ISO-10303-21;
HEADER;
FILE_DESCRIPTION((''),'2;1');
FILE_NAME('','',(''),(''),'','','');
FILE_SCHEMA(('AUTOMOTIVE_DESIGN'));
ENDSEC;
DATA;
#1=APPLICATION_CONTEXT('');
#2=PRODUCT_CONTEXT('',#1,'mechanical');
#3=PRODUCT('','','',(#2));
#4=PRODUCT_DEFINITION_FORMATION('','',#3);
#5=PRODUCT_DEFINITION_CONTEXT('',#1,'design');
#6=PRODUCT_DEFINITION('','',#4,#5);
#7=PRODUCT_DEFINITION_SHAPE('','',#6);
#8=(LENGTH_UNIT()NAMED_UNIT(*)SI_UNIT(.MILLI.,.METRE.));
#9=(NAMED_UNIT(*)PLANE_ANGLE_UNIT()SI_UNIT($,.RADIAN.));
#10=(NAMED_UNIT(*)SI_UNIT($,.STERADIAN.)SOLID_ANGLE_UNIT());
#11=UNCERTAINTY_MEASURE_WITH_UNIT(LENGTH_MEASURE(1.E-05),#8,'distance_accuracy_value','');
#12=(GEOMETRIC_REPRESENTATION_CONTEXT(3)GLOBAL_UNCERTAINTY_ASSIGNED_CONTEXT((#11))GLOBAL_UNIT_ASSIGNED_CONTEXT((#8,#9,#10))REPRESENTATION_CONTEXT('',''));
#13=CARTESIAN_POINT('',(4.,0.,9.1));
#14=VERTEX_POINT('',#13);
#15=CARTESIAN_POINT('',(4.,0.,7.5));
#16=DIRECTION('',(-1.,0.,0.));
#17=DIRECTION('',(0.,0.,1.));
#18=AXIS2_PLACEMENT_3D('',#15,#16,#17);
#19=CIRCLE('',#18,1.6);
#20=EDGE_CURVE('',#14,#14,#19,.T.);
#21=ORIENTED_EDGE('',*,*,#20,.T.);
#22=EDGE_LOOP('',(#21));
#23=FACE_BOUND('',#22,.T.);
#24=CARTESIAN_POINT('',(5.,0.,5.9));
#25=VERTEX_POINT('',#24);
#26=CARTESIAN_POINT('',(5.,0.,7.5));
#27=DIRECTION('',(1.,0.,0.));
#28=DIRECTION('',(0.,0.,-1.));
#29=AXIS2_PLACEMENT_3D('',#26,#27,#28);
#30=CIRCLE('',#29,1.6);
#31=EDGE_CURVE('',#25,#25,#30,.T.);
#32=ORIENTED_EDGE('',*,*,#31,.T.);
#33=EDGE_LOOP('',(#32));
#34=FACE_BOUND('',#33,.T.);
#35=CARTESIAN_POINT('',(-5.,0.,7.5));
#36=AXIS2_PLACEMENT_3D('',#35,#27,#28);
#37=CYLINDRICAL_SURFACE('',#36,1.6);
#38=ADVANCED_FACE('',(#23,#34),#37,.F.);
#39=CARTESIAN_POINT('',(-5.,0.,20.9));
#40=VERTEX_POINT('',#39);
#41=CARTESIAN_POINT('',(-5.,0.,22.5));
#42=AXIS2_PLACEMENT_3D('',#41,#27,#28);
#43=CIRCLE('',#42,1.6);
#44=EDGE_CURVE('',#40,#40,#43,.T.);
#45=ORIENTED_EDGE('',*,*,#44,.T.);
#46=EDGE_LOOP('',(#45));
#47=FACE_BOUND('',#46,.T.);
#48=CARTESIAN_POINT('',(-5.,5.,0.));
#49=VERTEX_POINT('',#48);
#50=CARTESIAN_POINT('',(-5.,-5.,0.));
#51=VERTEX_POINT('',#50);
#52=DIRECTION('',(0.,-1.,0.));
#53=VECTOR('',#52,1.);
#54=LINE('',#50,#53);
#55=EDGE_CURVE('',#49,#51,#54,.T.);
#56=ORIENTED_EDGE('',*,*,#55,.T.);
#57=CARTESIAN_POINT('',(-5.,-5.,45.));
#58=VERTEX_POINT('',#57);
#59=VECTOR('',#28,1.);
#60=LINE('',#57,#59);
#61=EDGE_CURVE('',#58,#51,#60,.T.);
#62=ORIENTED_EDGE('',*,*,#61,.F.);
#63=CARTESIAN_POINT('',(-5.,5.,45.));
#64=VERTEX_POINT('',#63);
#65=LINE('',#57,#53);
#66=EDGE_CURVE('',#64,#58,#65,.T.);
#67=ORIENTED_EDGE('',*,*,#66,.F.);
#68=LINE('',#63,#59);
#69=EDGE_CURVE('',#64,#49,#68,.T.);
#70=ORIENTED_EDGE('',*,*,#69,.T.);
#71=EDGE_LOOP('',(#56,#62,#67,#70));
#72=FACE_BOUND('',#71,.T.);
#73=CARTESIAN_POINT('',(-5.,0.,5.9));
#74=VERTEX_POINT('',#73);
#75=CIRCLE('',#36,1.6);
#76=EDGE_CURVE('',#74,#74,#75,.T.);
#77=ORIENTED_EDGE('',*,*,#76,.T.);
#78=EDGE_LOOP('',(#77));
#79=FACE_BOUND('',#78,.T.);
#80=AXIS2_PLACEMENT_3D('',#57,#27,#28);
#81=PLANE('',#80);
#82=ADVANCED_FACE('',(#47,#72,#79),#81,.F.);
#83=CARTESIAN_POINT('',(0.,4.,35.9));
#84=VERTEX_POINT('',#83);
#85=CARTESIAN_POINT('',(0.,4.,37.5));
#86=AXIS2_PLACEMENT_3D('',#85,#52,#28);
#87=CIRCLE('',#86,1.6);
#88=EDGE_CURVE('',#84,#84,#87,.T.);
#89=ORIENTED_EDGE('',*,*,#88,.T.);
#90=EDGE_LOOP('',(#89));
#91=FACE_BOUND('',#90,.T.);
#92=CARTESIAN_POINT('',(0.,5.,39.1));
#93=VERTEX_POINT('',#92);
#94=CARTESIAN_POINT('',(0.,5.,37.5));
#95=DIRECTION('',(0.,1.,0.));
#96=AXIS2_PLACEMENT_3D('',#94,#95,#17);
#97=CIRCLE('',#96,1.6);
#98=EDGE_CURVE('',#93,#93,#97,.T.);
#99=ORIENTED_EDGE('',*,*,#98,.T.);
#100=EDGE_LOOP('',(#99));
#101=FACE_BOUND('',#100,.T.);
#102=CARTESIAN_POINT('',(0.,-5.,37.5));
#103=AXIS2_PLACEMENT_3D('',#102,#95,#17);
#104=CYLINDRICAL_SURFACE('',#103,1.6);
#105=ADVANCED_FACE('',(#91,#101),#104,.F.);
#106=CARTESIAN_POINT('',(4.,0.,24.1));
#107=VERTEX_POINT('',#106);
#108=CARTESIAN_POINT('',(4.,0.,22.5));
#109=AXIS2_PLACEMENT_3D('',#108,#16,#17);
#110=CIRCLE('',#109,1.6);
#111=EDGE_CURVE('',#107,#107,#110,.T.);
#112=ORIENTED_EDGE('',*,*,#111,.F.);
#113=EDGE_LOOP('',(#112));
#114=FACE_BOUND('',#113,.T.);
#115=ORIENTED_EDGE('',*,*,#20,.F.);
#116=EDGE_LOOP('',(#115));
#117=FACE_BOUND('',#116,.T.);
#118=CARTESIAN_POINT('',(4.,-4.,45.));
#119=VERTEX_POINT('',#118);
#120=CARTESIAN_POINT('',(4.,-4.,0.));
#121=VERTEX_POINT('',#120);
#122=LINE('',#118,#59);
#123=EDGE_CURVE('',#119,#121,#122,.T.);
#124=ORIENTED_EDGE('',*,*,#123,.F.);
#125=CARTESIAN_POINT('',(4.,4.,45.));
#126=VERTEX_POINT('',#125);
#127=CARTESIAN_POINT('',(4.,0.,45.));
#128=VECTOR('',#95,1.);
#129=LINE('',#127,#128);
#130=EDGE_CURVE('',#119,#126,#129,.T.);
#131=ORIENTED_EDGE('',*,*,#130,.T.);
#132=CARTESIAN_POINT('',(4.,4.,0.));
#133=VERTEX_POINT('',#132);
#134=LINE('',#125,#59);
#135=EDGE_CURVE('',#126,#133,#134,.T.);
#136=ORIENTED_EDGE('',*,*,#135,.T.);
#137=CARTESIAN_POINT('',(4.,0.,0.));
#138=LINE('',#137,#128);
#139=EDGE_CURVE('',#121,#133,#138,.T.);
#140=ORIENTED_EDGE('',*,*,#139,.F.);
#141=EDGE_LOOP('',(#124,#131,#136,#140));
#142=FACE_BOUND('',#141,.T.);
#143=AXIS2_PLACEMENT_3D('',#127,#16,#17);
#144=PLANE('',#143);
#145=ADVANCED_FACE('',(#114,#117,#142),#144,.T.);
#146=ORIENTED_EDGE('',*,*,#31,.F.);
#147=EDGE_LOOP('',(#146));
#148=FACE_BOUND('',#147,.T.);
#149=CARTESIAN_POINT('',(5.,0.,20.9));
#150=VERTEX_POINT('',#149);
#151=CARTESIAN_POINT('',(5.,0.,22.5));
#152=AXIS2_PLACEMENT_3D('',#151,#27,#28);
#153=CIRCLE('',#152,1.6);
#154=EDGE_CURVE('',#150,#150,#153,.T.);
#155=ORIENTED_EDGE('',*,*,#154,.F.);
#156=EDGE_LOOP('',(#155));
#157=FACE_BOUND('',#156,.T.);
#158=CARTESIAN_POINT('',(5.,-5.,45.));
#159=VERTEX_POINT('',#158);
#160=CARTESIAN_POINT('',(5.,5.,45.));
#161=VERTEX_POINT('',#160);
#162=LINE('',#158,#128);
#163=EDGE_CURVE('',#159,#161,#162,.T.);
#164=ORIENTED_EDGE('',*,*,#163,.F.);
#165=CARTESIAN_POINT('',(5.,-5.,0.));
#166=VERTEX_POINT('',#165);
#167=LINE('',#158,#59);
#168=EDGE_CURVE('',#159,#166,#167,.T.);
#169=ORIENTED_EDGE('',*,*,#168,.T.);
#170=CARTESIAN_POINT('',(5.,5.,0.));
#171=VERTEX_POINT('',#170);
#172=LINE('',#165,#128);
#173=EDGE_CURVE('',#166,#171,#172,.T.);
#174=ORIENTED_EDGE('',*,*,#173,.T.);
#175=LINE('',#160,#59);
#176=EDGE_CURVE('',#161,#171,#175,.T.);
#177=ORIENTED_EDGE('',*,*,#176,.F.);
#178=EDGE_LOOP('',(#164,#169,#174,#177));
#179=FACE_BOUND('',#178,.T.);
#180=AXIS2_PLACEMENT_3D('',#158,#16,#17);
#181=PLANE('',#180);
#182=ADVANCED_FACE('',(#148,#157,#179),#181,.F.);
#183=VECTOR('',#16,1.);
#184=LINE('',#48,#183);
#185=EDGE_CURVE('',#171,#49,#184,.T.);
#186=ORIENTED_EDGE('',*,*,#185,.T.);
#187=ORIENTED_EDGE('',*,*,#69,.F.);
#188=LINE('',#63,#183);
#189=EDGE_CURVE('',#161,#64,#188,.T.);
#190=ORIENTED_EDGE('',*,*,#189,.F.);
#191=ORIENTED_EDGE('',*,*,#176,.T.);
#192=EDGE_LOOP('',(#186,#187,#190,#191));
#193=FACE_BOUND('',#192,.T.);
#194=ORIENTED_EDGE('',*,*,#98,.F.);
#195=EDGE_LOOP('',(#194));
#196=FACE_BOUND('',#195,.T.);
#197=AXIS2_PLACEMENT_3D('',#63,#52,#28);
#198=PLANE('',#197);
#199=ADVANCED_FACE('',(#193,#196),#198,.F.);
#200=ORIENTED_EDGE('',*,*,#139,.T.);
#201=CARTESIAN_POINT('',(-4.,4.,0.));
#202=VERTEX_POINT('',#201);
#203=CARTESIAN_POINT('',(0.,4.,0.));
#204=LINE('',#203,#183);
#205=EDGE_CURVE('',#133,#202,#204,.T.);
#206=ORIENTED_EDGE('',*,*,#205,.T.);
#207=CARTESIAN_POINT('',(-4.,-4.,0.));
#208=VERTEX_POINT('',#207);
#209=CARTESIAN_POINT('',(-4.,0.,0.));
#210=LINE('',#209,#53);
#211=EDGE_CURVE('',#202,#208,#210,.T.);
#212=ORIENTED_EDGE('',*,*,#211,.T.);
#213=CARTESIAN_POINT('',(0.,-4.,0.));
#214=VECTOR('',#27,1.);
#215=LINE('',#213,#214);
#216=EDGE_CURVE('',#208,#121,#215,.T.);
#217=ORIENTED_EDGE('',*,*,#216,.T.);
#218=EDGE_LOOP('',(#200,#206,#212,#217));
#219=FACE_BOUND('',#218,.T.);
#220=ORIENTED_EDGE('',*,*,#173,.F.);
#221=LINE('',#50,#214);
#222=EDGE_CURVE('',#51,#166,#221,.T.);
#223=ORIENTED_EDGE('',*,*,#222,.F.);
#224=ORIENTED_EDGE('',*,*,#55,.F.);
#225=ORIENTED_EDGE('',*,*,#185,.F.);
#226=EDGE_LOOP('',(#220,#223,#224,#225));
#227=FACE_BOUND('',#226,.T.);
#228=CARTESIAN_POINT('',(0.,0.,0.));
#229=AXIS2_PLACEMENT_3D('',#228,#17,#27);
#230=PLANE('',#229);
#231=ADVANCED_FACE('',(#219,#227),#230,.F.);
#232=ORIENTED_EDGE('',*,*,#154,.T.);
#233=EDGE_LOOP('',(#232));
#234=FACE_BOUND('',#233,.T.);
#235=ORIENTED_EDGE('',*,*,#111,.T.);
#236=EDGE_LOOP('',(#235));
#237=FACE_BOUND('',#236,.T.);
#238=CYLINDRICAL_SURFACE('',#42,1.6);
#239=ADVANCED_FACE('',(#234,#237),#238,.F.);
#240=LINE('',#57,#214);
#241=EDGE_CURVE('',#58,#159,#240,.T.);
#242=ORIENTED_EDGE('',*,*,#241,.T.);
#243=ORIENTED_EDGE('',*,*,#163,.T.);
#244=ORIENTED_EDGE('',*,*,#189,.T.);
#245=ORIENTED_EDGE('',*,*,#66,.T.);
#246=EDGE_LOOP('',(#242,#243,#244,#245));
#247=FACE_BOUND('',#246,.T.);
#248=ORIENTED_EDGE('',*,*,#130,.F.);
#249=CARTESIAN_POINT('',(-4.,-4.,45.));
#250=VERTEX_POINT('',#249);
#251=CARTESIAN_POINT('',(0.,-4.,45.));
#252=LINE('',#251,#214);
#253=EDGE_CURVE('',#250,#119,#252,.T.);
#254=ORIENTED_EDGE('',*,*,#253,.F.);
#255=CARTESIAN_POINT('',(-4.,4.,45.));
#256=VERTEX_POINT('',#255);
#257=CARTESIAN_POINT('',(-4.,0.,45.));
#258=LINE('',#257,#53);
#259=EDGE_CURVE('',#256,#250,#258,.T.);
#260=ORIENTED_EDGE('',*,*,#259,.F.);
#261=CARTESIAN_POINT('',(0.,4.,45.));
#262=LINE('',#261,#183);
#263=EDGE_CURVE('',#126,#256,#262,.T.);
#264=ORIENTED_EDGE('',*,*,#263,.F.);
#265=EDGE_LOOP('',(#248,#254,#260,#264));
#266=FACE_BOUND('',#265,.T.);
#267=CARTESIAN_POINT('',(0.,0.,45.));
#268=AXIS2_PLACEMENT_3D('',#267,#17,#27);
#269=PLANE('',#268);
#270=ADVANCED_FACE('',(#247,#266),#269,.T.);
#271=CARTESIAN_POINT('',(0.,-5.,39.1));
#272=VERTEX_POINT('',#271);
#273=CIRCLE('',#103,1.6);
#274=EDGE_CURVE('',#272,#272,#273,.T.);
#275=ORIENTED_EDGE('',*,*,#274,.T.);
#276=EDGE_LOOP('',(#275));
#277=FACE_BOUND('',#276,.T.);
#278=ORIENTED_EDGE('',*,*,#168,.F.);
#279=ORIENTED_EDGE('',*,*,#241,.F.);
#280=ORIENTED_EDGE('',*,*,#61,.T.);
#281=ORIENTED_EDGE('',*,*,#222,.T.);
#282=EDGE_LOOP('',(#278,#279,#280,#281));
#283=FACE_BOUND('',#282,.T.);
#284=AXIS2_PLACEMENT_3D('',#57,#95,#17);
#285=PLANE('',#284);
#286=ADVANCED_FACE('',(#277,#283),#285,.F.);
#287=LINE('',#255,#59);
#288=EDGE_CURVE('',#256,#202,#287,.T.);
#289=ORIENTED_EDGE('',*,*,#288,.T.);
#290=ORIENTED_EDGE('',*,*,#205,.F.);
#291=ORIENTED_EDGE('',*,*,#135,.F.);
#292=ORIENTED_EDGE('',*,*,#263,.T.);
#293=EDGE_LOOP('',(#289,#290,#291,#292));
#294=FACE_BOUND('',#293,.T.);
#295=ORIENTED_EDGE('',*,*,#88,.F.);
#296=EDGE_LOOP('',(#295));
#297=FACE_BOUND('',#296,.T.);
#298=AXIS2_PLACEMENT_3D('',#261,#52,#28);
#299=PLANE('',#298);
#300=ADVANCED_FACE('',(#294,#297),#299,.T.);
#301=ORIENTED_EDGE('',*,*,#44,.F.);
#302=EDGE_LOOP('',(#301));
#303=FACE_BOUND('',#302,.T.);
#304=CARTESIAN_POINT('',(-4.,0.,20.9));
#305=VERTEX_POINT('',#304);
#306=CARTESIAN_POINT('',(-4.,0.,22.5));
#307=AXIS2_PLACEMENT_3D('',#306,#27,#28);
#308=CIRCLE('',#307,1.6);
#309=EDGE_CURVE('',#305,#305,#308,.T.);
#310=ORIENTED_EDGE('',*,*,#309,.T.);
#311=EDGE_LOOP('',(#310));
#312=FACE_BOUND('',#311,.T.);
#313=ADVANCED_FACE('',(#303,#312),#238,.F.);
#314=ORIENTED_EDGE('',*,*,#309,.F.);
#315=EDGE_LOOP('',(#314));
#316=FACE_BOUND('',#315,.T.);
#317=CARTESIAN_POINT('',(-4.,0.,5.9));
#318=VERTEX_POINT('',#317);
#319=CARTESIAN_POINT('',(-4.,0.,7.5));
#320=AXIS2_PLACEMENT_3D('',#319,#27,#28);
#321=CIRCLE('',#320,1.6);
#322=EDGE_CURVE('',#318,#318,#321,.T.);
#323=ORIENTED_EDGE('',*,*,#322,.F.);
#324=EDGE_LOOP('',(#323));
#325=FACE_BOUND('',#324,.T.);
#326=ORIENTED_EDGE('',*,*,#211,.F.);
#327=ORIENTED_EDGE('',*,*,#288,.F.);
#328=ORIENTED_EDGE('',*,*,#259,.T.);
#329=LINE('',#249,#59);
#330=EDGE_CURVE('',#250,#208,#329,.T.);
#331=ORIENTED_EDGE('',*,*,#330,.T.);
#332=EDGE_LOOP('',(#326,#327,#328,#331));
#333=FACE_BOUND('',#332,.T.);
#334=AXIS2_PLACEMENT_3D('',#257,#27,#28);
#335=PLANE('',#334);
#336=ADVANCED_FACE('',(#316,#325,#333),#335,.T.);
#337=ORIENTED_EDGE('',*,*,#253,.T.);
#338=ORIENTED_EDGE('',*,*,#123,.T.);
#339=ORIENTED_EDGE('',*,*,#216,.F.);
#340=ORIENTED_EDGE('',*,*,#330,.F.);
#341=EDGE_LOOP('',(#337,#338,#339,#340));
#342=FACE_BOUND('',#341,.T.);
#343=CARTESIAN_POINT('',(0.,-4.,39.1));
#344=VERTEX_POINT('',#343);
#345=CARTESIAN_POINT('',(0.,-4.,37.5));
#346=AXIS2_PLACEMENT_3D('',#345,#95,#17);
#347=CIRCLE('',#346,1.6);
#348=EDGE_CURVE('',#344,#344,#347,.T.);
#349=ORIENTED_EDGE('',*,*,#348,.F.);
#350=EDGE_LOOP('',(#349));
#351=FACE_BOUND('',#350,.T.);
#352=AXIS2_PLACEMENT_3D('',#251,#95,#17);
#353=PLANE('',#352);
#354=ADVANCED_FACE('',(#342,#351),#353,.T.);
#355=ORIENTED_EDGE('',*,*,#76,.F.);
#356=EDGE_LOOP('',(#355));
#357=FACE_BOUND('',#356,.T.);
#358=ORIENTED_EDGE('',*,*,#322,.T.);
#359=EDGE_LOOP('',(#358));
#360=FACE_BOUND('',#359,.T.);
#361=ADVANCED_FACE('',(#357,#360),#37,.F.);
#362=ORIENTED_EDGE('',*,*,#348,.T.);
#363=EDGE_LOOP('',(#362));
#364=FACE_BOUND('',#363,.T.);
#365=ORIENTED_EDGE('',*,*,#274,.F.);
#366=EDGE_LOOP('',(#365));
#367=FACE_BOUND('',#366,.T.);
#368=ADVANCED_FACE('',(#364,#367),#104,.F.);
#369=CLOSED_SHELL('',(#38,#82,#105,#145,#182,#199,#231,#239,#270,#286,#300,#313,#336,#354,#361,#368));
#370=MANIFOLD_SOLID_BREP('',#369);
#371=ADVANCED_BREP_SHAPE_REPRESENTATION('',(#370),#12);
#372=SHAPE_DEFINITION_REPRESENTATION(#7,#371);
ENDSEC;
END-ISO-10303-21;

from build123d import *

# Parameters (mm, degrees)
SKETCH_1_W          = 10
SKETCH_1_H          = 10
SKETCH_1_W_2        = 8
SKETCH_1_H_2        = 8
EXTRUDE_1_DEPTH     = 45
SKETCH_2_R          = 1.6
CUT_EXTRUDE_1_DEPTH = 47.368092477
SKETCH_3_R          = 1.6
CUT_EXTRUDE_2_DEPTH = 47.368092477


with BuildPart() as part:
    # ｽｹｯﾁ1 → 押し出し-薄板1 (new body)
    with BuildSketch(Plane.XY):
        Rectangle(SKETCH_1_W, SKETCH_1_H)
        Rectangle(SKETCH_1_W_2, SKETCH_1_H_2, mode=Mode.SUBTRACT)
    extrude(amount=EXTRUDE_1_DEPTH)

    # ｽｹｯﾁ2 → ｶｯﾄ - 押し出し1 (cut, through all)
    with BuildSketch(Plane(origin=(0, 5, 0), x_dir=(1, 0, 0), z_dir=(0, 1, 0))):
        with Locations(Location((0, -37.5, 0), (0, 0, 270))):
            Circle(SKETCH_2_R)
    extrude(amount=-CUT_EXTRUDE_1_DEPTH, mode=Mode.SUBTRACT)

    # ｽｹｯﾁ3 → ｶｯﾄ - 押し出し2 (cut, through all)
    with BuildSketch(Plane(origin=(5, 0, 0), x_dir=(0, 0, -1), z_dir=(1, 0, 0))):
        with Locations((-22.5, 0)):
            Circle(SKETCH_3_R)
        with Locations((-7.5, 0)):
            Circle(SKETCH_3_R)
    extrude(amount=-CUT_EXTRUDE_2_DEPTH, mode=Mode.SUBTRACT)


solid = part.part
